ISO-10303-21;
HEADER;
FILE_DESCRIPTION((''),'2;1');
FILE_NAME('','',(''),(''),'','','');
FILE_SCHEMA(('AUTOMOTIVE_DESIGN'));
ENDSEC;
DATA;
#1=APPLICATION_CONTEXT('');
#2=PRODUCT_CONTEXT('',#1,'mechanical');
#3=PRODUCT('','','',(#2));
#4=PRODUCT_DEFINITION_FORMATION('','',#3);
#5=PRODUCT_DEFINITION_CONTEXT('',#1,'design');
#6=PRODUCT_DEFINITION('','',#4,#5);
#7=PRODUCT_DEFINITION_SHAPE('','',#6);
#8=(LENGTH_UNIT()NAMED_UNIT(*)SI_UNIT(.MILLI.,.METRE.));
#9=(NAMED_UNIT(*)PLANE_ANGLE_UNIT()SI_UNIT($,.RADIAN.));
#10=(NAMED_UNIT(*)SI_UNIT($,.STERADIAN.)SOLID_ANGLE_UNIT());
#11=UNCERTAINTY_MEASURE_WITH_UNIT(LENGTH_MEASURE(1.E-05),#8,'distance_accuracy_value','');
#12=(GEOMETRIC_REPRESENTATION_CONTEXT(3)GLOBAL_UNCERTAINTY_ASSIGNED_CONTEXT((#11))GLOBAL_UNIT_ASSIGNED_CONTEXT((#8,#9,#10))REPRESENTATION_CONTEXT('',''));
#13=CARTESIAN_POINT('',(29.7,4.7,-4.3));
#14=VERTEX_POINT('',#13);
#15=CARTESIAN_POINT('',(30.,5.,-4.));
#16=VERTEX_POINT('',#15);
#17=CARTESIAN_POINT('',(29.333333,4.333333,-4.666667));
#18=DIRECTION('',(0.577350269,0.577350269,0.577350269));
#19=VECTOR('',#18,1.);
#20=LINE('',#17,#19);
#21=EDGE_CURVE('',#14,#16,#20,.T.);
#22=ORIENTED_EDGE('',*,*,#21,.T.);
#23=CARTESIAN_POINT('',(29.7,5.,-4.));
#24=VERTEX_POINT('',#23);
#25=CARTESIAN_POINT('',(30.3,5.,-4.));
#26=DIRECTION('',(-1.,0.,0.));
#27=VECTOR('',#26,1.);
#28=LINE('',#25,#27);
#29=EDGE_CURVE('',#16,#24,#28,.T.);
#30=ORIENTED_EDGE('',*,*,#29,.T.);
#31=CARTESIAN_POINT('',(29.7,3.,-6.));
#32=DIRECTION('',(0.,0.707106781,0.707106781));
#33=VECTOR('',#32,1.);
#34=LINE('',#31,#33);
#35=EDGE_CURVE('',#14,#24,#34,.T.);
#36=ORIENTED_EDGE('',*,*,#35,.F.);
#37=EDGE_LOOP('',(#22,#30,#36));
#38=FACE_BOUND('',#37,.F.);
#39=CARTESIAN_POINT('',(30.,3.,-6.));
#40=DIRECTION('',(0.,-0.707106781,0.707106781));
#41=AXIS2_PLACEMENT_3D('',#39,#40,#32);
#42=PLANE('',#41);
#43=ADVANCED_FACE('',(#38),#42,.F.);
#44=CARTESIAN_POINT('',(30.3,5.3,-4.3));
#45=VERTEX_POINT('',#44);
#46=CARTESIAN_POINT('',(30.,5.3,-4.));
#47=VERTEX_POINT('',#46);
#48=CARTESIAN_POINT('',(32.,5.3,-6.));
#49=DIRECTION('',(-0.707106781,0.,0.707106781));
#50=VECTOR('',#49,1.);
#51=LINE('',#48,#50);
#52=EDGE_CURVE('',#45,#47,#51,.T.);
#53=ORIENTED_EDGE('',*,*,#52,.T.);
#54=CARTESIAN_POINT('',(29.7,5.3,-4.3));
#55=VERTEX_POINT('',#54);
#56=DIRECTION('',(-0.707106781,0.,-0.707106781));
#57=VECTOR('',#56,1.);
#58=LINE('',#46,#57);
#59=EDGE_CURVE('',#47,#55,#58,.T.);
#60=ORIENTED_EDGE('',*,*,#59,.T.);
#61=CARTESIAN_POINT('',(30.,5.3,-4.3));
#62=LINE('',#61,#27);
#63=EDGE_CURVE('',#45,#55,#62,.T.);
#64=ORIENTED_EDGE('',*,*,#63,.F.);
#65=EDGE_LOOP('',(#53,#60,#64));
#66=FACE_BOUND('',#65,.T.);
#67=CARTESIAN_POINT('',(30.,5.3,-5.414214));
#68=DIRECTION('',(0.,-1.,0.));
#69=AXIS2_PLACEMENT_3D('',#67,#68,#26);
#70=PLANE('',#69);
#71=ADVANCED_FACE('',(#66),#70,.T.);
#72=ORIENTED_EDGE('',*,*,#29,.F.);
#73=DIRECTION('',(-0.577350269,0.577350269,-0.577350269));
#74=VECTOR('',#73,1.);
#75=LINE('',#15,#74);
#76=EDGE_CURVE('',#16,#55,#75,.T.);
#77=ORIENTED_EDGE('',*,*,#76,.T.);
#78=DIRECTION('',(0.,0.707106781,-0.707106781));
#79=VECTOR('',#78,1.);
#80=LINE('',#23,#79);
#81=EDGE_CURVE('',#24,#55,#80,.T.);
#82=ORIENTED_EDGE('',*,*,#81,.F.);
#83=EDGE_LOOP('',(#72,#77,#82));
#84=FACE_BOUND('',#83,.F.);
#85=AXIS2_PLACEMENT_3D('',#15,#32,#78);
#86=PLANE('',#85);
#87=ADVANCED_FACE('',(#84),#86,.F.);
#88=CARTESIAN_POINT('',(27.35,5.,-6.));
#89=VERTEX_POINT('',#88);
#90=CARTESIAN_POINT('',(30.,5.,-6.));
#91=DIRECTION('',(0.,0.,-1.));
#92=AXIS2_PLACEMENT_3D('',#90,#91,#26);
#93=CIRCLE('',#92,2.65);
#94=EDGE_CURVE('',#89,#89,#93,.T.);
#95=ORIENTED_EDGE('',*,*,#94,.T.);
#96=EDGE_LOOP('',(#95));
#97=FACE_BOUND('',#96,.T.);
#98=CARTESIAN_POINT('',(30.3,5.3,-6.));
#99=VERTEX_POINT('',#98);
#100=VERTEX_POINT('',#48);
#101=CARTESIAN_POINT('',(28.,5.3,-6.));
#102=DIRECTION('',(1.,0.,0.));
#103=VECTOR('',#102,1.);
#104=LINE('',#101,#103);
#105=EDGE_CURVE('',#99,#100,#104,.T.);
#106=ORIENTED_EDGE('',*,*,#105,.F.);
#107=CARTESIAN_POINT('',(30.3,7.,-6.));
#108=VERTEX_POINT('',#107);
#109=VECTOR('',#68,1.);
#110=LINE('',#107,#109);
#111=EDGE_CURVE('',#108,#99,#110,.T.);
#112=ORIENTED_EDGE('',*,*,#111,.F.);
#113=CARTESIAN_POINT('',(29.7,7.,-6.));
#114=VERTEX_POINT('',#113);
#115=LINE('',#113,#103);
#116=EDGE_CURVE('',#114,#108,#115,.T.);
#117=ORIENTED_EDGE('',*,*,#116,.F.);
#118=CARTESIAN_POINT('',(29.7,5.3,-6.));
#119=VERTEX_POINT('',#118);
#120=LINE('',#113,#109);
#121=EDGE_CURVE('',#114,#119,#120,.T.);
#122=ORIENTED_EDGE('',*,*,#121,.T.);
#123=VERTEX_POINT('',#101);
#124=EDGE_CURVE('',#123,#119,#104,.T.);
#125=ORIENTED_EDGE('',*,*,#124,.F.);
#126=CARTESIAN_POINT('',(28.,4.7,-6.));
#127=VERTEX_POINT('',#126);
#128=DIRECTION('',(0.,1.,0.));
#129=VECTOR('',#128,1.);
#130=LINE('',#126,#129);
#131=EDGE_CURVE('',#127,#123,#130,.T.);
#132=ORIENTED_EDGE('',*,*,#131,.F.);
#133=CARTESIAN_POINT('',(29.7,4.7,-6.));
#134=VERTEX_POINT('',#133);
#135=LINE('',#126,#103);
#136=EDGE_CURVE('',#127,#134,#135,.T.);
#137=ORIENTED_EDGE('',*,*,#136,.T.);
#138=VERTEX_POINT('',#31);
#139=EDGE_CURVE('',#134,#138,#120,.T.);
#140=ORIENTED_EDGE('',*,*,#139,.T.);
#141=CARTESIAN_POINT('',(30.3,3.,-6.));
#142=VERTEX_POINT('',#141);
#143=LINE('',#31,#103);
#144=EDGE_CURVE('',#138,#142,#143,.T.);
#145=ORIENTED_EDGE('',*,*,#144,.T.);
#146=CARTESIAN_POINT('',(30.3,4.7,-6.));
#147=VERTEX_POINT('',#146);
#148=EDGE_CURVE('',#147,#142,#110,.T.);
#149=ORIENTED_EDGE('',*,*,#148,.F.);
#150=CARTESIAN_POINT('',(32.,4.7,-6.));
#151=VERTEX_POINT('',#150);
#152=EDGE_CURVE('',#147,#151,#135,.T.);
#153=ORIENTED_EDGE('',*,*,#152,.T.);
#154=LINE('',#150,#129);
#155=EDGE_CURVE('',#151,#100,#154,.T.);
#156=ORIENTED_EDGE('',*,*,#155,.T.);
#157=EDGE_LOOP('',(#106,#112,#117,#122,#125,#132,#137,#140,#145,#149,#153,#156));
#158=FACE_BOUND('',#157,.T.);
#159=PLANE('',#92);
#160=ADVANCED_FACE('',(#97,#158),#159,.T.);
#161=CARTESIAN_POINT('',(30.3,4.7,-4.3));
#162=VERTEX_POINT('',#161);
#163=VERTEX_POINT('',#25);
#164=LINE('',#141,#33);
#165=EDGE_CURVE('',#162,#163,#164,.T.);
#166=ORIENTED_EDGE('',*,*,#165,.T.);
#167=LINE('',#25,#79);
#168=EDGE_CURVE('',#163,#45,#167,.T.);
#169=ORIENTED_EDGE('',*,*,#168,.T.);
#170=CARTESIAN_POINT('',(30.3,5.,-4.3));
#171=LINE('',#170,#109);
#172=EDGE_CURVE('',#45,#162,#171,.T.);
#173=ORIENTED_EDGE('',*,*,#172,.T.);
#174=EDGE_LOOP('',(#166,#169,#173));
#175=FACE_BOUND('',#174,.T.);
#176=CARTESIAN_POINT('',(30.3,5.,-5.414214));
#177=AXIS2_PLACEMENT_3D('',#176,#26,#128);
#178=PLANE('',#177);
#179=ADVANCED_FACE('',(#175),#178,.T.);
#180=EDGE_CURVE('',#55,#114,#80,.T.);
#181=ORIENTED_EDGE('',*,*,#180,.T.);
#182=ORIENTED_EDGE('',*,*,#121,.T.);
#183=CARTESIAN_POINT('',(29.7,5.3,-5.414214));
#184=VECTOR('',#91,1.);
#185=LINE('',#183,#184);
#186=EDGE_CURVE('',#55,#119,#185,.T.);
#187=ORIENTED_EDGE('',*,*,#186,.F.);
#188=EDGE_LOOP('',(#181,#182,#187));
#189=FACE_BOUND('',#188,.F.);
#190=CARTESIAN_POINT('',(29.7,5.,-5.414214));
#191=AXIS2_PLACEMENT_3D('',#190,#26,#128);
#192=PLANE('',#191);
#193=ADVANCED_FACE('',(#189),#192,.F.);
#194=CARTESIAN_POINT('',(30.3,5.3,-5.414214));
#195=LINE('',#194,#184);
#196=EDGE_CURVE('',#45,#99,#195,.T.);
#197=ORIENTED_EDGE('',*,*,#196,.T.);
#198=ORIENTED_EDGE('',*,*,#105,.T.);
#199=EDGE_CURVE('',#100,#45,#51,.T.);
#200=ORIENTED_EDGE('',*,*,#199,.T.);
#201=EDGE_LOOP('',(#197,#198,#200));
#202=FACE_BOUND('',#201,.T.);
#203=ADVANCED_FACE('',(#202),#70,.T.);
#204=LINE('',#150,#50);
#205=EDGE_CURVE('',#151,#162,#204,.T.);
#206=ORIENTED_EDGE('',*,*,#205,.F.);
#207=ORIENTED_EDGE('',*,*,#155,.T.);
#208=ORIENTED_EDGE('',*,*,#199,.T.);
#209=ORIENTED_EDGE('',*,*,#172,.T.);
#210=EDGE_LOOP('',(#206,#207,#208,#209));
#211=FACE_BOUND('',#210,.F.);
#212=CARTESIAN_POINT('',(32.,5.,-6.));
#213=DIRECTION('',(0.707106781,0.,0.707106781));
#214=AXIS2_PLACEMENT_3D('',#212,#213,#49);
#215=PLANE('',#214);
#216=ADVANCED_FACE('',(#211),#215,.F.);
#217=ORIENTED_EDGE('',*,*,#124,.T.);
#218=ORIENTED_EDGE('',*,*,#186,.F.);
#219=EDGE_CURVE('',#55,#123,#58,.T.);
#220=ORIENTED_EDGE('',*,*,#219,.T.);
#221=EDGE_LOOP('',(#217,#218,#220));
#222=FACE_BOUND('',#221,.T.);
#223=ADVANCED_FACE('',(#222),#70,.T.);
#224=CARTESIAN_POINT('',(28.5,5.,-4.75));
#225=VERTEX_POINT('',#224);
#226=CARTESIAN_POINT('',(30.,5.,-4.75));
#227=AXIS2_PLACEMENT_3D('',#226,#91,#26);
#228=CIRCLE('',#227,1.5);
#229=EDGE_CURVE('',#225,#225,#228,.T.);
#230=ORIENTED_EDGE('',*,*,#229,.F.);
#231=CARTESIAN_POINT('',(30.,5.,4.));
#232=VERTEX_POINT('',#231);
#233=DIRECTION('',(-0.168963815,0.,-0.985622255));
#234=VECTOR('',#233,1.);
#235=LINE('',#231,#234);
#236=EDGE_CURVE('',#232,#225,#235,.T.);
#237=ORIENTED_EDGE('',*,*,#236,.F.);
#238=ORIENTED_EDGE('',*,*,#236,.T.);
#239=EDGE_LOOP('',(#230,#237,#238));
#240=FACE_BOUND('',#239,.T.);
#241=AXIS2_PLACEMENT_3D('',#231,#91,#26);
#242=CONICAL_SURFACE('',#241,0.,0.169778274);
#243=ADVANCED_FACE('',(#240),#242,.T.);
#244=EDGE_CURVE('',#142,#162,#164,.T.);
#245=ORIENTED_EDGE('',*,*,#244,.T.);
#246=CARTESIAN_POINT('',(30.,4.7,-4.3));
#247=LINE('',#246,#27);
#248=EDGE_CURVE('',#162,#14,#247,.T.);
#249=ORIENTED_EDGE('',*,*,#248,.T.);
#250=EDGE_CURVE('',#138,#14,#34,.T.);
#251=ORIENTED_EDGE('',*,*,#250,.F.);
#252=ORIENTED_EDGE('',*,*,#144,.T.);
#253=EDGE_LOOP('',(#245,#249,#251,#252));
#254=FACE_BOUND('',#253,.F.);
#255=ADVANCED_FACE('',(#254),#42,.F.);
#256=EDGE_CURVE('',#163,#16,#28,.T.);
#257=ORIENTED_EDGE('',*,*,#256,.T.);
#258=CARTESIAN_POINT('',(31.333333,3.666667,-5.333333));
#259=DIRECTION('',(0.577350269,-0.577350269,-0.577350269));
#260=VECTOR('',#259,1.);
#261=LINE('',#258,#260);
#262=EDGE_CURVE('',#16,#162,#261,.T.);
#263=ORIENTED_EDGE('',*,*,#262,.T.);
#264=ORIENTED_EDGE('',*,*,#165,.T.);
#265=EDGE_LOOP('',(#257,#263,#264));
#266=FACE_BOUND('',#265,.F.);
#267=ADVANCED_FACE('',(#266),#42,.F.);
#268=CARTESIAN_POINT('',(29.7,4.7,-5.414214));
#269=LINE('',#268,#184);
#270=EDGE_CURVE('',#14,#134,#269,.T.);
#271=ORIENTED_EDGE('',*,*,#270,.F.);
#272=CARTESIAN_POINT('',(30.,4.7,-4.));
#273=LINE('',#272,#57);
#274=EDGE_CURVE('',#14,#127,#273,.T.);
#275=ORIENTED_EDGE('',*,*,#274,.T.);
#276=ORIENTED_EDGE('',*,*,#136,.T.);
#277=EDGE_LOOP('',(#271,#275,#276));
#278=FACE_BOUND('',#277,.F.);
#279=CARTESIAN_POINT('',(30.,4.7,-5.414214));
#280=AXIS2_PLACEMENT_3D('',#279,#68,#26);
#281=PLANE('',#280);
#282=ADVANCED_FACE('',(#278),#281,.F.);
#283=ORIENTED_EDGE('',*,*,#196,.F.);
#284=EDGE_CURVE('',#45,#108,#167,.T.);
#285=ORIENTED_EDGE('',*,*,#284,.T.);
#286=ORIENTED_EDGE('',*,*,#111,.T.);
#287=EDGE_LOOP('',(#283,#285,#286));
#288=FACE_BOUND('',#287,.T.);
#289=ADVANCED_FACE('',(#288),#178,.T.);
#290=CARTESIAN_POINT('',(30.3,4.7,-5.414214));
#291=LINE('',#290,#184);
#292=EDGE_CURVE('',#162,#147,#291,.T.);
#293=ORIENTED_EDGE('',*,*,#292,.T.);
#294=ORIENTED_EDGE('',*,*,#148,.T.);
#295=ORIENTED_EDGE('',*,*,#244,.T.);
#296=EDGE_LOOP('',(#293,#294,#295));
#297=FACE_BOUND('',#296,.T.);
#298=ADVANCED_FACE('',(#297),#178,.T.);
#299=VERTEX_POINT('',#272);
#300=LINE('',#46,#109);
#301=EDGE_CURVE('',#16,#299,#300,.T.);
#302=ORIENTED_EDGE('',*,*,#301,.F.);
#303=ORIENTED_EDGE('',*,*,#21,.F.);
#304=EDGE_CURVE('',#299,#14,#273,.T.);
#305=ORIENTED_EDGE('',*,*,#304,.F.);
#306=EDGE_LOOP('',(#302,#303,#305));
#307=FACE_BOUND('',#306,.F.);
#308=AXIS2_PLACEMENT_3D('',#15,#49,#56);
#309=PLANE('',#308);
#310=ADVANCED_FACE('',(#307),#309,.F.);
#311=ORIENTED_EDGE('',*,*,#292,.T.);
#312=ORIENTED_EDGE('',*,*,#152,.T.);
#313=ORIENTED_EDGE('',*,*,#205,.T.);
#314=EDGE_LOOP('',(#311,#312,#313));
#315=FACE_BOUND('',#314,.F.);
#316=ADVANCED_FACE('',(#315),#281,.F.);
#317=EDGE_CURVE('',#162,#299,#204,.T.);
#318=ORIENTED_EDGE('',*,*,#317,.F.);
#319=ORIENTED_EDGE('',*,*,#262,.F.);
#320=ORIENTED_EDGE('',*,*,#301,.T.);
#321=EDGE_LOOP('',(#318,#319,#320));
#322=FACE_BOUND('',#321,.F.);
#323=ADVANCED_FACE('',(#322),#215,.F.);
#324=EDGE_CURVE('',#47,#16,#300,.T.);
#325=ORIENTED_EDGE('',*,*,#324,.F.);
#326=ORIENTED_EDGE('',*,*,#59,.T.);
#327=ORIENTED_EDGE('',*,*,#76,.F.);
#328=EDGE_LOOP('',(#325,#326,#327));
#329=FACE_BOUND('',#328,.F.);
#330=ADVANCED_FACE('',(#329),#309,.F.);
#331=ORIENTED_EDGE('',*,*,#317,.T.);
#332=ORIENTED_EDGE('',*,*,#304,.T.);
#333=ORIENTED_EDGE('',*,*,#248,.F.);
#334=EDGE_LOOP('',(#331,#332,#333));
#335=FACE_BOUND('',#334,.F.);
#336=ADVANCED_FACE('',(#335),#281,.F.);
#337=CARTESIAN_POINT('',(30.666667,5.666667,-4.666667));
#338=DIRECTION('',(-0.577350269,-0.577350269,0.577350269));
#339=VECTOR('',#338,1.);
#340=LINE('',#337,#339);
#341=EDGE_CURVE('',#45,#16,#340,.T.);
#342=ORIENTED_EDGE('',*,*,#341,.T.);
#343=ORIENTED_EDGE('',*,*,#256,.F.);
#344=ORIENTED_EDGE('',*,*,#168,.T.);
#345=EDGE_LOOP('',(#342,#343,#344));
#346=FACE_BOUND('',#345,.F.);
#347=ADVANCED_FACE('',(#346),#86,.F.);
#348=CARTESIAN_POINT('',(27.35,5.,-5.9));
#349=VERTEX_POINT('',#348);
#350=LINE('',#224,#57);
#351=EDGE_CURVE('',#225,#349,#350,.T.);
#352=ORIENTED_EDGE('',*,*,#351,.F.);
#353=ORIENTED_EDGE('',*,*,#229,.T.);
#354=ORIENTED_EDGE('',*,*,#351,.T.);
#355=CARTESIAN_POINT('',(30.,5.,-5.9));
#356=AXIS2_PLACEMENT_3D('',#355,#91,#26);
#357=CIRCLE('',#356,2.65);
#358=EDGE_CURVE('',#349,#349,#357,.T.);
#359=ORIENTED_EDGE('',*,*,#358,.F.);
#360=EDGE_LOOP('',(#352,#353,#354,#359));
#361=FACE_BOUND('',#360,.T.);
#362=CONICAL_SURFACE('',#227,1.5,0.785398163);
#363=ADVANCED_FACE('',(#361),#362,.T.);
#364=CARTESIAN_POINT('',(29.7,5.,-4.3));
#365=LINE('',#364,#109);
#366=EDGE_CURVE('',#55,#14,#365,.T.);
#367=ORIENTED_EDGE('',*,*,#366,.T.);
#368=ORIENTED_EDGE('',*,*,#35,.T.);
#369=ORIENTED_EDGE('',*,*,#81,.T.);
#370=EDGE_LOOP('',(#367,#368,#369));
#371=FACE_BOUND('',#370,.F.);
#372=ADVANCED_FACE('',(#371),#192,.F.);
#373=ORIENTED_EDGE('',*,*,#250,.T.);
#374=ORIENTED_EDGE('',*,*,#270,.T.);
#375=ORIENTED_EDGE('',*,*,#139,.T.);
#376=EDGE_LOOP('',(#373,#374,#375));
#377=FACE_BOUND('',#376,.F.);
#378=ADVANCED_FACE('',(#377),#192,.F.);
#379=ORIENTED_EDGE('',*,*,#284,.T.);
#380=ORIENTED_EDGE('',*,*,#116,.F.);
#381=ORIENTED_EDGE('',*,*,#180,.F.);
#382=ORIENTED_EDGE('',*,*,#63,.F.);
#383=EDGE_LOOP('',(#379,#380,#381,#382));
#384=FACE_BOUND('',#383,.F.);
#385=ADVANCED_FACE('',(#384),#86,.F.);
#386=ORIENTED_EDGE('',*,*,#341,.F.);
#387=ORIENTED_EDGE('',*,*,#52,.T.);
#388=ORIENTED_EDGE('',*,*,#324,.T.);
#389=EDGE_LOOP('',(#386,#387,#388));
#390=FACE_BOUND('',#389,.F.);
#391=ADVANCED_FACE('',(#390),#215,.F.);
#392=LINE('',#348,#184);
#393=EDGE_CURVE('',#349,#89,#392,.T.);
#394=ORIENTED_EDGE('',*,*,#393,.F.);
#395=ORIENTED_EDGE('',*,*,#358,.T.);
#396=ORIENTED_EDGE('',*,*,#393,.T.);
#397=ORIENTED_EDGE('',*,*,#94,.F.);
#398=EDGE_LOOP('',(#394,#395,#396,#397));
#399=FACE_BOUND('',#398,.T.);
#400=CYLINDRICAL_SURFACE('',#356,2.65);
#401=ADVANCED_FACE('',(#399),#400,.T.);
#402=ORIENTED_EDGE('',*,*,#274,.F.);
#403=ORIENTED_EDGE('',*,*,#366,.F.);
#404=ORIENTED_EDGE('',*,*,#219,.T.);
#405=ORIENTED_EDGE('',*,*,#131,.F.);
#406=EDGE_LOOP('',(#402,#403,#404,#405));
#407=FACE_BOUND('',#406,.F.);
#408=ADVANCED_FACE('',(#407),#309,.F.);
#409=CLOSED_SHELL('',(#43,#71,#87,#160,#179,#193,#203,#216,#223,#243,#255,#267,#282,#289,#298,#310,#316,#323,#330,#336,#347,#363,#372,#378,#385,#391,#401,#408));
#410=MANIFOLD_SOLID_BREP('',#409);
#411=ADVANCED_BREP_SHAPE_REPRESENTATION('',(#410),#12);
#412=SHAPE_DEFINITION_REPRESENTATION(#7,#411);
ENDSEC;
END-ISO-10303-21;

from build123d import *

# Parameters (mm, degrees)
POCKET004_DEPTH         = 0.3
POLARPATTERN_COUNT      = 2
POLARPATTERN_ANGLE      = 90
BODY014_PLACEMENT_ANGLE = 180


with BuildPart() as part:
    # Sketch026 → Revolution (revolve)
    with BuildSketch(Plane.XZ):
        Polygon((0, 0), (0, -10), (1.5, -1.25), (2.65, -0.1), (2.65, 0), align=None)
    revolve(axis=Axis((0, 0, 0), (0, 0, 1)))

    # Sketch027 → Pocket004 (cut, symmetric)
    with BuildSketch(Plane.XZ):
        Polygon((-2, 0), (0, -2), (2, 0), align=None)
    pocket004 = extrude(amount=POCKET004_DEPTH, both=True, mode=Mode.SUBTRACT)

    # PolarPattern: Pocket004 ×2 about axis
    polarpattern_axis = Axis((0, 0, 0), (0, 0, 1))
    for i in range(1, POLARPATTERN_COUNT):
        add(pocket004.rotate(polarpattern_axis, i * POLARPATTERN_ANGLE / (POLARPATTERN_COUNT - 1)), mode=Mode.SUBTRACT)


with BuildPart() as part_1:
    # Body014 placement: moved
    add(part.part.moved(Location((30, 5, -6))).rotate(Axis((30, 5, -6), (0, 1, 0)), BODY014_PLACEMENT_ANGLE))


solid = part_1.part
